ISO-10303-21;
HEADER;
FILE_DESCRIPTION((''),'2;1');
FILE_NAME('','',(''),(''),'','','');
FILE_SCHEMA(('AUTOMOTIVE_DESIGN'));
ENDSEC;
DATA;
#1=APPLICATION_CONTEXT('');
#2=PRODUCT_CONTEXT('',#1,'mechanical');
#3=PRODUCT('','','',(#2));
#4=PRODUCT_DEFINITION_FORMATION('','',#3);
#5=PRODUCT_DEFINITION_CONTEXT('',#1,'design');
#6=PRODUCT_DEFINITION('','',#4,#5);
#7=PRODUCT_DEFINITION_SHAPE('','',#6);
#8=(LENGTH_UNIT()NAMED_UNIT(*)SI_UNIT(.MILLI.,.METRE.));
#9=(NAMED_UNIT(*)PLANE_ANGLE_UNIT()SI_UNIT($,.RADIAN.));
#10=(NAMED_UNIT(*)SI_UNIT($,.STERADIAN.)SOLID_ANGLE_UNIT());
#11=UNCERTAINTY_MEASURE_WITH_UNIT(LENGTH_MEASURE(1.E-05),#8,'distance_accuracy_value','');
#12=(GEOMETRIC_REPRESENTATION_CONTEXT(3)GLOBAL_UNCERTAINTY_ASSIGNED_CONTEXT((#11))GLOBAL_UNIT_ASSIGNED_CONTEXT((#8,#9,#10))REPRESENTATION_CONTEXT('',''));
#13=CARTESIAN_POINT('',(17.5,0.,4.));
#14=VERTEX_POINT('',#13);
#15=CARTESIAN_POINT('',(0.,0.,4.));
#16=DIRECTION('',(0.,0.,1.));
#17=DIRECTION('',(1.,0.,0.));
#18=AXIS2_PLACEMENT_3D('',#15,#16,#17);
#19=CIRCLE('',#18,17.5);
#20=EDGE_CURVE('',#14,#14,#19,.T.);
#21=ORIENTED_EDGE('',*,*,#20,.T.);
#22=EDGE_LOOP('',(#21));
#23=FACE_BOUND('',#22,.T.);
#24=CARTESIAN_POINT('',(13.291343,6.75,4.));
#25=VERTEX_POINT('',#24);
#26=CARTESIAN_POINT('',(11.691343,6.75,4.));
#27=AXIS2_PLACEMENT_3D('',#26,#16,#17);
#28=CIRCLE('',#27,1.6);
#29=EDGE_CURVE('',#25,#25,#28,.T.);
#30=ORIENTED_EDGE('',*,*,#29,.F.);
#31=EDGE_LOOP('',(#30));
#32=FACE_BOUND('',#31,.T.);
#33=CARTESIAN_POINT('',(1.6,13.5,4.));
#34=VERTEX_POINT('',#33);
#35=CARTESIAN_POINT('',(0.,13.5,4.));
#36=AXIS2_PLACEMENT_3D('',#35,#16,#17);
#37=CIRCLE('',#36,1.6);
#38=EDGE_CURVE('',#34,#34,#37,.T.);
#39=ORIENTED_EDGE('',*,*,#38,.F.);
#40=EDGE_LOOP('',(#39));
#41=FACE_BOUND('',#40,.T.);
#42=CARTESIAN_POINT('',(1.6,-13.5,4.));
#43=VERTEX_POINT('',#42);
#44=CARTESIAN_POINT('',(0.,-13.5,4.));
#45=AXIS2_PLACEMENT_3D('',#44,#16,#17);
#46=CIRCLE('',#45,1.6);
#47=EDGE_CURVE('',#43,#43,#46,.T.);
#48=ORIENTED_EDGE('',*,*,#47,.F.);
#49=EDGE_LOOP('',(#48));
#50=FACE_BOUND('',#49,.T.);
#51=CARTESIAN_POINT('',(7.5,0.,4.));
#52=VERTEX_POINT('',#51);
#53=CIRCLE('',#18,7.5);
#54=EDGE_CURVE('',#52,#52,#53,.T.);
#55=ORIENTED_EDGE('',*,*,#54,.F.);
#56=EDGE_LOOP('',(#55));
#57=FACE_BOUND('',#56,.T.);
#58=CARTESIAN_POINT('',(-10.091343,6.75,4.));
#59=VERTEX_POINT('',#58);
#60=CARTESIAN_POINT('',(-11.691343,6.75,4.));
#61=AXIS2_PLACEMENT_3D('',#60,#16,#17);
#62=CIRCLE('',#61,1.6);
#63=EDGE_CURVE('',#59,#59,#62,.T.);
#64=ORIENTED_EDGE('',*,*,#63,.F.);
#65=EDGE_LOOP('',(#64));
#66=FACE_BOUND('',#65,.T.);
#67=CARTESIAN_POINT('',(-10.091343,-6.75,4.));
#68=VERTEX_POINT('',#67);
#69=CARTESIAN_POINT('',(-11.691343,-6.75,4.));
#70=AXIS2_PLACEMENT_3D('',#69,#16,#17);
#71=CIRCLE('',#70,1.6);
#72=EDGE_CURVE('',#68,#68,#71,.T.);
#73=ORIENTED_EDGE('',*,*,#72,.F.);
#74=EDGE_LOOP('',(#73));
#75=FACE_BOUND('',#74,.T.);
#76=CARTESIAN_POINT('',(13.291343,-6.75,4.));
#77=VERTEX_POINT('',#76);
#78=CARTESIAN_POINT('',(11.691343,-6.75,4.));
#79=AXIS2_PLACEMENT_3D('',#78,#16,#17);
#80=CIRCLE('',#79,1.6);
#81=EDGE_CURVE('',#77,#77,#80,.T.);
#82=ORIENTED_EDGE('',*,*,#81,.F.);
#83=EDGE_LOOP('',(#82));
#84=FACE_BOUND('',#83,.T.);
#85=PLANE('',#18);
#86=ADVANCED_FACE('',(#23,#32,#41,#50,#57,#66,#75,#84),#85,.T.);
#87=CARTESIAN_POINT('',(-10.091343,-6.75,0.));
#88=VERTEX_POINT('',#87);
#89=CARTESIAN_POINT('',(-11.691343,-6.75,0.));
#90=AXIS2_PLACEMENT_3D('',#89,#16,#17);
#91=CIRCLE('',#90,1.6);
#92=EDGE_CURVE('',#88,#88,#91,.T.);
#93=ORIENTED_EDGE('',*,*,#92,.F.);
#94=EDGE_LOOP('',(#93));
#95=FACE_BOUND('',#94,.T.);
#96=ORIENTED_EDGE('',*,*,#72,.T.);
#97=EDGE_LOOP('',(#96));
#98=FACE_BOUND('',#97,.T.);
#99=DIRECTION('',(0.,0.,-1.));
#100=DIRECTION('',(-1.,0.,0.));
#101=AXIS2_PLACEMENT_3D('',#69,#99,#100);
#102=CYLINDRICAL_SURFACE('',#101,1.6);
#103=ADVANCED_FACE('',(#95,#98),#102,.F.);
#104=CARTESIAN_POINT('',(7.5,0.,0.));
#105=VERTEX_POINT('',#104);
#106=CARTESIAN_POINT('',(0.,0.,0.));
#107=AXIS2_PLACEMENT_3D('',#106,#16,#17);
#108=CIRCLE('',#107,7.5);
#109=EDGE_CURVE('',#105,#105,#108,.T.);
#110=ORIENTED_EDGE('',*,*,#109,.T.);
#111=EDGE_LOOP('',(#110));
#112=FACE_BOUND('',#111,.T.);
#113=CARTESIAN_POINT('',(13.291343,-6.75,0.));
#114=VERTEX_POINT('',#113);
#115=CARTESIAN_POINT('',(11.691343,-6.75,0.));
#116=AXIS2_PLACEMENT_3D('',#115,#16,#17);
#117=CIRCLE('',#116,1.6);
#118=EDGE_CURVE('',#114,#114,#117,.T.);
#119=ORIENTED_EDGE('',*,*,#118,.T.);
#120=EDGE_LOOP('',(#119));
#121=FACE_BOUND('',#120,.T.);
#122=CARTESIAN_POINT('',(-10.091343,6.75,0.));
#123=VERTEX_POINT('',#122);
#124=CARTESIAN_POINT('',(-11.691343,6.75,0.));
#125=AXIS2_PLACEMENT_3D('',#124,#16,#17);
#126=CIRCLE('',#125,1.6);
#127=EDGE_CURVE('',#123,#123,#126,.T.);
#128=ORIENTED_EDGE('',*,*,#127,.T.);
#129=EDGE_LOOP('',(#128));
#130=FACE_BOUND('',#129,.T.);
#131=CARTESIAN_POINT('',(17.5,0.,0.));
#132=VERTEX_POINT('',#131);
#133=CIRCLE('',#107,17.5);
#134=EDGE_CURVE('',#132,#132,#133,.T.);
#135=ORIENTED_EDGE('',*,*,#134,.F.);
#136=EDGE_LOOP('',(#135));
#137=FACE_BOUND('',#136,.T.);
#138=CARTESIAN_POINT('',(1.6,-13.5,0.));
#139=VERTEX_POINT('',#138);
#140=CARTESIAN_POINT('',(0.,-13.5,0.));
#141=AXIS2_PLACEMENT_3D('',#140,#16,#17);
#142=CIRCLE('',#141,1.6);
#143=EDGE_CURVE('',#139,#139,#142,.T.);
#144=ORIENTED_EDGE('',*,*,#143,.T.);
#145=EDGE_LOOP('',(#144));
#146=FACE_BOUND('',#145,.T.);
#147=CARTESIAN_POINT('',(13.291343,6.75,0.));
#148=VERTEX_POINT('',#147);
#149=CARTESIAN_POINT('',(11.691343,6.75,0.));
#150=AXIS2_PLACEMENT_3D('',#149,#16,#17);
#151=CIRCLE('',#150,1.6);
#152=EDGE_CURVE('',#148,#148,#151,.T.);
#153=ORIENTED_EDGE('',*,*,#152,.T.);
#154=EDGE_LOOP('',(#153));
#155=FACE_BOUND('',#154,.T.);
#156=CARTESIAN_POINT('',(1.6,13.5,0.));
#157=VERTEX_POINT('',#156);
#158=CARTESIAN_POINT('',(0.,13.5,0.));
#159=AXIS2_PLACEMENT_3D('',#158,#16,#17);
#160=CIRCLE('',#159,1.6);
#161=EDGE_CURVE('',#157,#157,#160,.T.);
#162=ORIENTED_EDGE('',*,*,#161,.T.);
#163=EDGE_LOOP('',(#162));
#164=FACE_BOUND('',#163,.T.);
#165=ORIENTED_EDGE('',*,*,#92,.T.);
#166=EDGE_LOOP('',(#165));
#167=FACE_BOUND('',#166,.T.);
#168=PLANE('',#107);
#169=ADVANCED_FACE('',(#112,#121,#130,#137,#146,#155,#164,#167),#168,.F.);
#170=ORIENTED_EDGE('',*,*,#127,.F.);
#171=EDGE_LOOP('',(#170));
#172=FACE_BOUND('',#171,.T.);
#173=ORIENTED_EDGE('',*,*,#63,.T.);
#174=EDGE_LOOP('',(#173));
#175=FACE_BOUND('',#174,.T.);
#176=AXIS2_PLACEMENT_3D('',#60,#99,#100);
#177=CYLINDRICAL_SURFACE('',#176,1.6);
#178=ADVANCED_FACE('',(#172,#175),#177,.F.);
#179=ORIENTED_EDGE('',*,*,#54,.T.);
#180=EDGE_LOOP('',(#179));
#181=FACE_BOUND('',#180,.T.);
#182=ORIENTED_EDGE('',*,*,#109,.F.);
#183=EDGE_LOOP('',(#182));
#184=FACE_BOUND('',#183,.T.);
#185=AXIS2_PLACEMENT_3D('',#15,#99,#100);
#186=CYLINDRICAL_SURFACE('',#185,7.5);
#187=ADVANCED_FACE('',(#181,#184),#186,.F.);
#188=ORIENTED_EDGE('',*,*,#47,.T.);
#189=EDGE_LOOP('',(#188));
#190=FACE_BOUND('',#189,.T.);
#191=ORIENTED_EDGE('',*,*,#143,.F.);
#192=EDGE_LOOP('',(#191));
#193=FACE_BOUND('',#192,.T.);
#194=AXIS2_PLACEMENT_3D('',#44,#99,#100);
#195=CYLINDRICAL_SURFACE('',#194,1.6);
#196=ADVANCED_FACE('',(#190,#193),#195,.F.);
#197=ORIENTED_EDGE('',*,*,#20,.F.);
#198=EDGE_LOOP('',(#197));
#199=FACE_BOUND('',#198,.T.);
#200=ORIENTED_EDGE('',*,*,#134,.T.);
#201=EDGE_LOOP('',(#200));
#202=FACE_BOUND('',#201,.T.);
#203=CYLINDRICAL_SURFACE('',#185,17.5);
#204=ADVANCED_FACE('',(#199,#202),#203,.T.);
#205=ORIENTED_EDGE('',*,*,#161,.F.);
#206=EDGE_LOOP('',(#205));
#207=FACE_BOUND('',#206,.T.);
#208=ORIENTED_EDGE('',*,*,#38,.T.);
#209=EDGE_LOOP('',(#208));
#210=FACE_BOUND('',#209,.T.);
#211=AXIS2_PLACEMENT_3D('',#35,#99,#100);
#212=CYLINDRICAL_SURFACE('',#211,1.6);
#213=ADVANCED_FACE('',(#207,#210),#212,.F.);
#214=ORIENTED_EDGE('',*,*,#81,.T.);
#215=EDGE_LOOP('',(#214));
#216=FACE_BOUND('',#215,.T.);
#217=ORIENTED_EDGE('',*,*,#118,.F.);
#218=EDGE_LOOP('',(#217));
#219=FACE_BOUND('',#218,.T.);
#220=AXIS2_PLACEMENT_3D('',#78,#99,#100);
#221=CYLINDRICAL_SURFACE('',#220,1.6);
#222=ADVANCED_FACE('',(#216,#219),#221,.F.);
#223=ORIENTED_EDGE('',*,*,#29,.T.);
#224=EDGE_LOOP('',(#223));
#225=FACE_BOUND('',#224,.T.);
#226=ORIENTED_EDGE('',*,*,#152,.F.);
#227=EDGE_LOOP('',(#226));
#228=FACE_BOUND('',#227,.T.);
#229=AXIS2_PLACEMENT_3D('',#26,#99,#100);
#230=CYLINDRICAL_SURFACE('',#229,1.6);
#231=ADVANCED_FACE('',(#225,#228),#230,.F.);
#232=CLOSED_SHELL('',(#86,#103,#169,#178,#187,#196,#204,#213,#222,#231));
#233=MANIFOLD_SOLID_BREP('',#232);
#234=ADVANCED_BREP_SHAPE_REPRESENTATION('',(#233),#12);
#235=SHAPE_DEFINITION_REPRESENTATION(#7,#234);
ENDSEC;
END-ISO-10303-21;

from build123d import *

# Parameters (mm, degrees)
SKETCH_1_R      = 17.5
SKETCH_1_R_2    = 7.5
SKETCH_1_R_3    = 1.6
EXTRUDE_1_DEPTH = 4


with BuildPart() as part:
    # 草图1 → 凸台-拉伸1 (new body)
    with BuildSketch(Plane.XY):
        Circle(SKETCH_1_R)
        Circle(SKETCH_1_R_2, mode=Mode.SUBTRACT)
        with Locations((0, 13.5)):
            Circle(SKETCH_1_R_3, mode=Mode.SUBTRACT)
        with Locations((11.691342951, 6.75)):
            Circle(SKETCH_1_R_3, mode=Mode.SUBTRACT)
        with Locations((11.691342951, -6.75)):
            Circle(SKETCH_1_R_3, mode=Mode.SUBTRACT)
        with Locations((0, -13.5)):
            Circle(SKETCH_1_R_3, mode=Mode.SUBTRACT)
        with Locations((-11.691342951, -6.75)):
            Circle(SKETCH_1_R_3, mode=Mode.SUBTRACT)
        with Locations((-11.691342951, 6.75)):
            Circle(SKETCH_1_R_3, mode=Mode.SUBTRACT)
    extrude(amount=EXTRUDE_1_DEPTH)


solid = part.part
